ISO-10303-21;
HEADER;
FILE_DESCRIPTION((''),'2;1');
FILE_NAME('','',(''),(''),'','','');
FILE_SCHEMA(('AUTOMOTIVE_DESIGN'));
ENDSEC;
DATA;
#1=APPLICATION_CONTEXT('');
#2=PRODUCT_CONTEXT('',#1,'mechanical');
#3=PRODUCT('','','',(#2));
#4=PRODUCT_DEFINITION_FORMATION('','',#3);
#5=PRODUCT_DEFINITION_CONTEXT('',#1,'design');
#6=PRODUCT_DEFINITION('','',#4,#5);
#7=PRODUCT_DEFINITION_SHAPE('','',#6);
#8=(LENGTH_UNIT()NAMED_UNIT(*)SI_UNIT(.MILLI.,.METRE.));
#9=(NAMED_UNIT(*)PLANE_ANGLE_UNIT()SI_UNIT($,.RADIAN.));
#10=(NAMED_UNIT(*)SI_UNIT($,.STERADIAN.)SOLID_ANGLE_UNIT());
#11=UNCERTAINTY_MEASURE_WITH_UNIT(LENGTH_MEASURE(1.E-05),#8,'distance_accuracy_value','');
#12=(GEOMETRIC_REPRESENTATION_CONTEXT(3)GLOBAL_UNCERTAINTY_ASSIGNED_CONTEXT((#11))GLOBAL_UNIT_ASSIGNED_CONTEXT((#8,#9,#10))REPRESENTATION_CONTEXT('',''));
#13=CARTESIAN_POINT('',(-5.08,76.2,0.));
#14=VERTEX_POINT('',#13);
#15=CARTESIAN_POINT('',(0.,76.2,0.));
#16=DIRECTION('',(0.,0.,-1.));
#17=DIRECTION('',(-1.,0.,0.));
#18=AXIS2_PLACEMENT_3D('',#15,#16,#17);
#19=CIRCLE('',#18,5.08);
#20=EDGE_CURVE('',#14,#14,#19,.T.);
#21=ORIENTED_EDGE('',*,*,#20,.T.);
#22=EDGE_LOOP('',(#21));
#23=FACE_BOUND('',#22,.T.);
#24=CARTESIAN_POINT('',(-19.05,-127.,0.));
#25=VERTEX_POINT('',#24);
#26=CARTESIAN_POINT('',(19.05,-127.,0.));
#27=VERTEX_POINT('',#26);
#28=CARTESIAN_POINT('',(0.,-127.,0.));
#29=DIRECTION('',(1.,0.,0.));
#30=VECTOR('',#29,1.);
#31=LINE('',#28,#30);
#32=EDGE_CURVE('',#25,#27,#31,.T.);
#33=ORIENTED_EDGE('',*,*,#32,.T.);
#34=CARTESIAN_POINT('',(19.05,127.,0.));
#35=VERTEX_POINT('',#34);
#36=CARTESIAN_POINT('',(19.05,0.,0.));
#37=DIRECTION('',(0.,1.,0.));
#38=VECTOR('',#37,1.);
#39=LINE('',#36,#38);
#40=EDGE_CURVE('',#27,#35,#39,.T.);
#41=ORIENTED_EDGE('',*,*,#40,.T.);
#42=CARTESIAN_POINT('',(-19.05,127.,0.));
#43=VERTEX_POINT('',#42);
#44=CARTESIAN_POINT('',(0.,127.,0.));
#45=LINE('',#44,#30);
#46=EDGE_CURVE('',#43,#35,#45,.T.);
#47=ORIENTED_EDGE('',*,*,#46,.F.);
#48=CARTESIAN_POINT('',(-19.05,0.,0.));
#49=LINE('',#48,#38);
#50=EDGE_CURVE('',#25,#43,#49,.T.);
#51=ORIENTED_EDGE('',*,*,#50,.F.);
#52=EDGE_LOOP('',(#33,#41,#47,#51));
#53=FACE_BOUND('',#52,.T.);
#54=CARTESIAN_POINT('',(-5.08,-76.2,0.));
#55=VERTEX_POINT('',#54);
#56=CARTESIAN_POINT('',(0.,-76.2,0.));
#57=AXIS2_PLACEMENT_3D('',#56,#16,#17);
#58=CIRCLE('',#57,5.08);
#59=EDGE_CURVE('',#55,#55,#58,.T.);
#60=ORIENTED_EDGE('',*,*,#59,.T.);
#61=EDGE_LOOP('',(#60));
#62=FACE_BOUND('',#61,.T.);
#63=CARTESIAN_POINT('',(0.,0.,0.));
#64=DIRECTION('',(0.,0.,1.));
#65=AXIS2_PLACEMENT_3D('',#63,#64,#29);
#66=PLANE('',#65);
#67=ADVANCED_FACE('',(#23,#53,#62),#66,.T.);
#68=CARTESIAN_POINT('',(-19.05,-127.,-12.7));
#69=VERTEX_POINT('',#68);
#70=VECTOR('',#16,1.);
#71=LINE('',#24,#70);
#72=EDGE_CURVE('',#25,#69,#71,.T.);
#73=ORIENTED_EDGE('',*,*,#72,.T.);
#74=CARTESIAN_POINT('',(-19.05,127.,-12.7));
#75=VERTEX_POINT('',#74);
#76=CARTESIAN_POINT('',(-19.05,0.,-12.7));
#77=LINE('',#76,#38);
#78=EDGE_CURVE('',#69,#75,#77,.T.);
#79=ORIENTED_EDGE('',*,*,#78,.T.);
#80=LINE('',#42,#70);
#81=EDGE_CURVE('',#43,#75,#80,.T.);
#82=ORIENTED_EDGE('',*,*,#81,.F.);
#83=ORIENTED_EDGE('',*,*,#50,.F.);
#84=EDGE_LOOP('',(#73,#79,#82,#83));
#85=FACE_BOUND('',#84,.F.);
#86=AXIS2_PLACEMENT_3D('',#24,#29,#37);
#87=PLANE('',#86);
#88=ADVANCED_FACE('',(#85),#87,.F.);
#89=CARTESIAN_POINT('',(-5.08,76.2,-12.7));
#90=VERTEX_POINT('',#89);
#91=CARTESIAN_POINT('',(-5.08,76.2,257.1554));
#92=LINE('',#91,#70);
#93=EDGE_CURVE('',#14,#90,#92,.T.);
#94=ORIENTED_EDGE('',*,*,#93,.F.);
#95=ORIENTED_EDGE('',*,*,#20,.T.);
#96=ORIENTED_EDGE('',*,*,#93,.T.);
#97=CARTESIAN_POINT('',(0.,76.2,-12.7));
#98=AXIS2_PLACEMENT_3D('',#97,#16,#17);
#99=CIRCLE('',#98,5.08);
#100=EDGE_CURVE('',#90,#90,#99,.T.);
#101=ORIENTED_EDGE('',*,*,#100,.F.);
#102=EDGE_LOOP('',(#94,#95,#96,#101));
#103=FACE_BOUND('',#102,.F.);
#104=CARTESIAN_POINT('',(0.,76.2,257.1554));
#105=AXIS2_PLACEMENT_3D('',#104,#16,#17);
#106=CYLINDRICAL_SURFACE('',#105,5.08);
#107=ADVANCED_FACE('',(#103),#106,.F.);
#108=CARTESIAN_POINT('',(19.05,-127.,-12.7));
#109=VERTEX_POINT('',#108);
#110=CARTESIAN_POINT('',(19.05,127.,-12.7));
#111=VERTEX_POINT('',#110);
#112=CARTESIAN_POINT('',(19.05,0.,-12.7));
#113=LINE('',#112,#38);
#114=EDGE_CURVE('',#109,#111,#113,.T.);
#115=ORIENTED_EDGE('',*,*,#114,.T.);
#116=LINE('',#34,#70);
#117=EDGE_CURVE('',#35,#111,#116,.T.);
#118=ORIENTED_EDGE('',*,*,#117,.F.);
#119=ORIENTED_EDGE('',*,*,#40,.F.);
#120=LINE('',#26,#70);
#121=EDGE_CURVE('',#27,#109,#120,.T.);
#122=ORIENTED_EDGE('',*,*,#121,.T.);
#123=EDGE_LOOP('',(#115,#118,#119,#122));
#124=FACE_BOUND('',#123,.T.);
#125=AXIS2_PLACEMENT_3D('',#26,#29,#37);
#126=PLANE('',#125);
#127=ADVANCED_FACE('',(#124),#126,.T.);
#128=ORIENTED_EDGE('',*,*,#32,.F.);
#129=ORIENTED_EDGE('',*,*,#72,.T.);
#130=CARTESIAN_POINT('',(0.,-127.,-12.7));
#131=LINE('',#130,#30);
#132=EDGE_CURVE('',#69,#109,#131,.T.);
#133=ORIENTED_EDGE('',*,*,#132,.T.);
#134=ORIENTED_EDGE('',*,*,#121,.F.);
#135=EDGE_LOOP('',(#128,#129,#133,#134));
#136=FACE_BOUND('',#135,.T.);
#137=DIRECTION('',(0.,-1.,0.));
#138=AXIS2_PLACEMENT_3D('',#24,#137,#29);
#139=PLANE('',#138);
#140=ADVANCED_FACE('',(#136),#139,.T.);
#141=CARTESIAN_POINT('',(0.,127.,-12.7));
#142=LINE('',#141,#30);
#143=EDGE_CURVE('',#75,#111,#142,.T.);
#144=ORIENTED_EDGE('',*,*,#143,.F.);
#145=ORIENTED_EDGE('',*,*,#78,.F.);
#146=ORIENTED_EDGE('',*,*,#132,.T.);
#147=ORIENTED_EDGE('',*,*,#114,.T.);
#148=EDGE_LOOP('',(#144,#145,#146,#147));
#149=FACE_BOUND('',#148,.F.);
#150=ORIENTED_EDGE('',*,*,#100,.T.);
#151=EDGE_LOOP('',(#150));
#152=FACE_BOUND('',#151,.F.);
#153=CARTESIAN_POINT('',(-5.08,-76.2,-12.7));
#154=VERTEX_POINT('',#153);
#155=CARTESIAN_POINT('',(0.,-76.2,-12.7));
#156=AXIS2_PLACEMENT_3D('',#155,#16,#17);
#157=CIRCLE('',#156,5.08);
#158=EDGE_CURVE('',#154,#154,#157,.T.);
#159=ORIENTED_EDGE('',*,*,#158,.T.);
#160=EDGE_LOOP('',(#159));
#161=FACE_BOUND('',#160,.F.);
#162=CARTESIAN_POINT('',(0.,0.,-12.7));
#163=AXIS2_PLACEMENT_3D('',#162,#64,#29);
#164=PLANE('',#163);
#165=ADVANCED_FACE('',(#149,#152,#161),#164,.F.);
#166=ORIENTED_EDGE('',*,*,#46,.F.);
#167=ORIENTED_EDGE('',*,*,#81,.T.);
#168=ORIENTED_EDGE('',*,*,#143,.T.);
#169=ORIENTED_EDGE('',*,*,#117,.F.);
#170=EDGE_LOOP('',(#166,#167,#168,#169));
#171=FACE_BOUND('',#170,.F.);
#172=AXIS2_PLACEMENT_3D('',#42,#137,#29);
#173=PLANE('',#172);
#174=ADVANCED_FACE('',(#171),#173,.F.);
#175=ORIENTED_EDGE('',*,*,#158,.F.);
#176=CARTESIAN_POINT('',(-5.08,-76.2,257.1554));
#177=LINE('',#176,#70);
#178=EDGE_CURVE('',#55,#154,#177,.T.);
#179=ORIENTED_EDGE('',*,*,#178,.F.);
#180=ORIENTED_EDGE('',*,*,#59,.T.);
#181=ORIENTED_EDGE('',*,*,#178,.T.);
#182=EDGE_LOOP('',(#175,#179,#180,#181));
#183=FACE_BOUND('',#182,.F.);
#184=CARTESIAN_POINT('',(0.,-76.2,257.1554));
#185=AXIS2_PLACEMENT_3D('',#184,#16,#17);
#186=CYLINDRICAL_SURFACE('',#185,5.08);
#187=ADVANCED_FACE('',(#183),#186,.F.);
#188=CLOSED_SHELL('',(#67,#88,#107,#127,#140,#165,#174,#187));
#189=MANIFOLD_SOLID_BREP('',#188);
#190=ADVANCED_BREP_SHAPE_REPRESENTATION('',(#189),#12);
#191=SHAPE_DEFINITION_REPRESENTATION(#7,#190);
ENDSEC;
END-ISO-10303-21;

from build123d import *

# Parameters (mm, degrees)
F0_W     = 38.1
F0_H     = 254
F1_DEPTH = 12.7
F3_D     = 10.16


with BuildPart() as f1:
    # F0 (on Top) → F1 (new body)
    with BuildSketch(Plane.XY):
        Rectangle(F0_W, F0_H)
    extrude(amount=-F1_DEPTH)

    # F3 (through all)
    with Locations(Plane.XY):
        with Locations((0, 76.2), (0, -76.2)):
            Hole(F3_D / 2)


solid = f1.part
